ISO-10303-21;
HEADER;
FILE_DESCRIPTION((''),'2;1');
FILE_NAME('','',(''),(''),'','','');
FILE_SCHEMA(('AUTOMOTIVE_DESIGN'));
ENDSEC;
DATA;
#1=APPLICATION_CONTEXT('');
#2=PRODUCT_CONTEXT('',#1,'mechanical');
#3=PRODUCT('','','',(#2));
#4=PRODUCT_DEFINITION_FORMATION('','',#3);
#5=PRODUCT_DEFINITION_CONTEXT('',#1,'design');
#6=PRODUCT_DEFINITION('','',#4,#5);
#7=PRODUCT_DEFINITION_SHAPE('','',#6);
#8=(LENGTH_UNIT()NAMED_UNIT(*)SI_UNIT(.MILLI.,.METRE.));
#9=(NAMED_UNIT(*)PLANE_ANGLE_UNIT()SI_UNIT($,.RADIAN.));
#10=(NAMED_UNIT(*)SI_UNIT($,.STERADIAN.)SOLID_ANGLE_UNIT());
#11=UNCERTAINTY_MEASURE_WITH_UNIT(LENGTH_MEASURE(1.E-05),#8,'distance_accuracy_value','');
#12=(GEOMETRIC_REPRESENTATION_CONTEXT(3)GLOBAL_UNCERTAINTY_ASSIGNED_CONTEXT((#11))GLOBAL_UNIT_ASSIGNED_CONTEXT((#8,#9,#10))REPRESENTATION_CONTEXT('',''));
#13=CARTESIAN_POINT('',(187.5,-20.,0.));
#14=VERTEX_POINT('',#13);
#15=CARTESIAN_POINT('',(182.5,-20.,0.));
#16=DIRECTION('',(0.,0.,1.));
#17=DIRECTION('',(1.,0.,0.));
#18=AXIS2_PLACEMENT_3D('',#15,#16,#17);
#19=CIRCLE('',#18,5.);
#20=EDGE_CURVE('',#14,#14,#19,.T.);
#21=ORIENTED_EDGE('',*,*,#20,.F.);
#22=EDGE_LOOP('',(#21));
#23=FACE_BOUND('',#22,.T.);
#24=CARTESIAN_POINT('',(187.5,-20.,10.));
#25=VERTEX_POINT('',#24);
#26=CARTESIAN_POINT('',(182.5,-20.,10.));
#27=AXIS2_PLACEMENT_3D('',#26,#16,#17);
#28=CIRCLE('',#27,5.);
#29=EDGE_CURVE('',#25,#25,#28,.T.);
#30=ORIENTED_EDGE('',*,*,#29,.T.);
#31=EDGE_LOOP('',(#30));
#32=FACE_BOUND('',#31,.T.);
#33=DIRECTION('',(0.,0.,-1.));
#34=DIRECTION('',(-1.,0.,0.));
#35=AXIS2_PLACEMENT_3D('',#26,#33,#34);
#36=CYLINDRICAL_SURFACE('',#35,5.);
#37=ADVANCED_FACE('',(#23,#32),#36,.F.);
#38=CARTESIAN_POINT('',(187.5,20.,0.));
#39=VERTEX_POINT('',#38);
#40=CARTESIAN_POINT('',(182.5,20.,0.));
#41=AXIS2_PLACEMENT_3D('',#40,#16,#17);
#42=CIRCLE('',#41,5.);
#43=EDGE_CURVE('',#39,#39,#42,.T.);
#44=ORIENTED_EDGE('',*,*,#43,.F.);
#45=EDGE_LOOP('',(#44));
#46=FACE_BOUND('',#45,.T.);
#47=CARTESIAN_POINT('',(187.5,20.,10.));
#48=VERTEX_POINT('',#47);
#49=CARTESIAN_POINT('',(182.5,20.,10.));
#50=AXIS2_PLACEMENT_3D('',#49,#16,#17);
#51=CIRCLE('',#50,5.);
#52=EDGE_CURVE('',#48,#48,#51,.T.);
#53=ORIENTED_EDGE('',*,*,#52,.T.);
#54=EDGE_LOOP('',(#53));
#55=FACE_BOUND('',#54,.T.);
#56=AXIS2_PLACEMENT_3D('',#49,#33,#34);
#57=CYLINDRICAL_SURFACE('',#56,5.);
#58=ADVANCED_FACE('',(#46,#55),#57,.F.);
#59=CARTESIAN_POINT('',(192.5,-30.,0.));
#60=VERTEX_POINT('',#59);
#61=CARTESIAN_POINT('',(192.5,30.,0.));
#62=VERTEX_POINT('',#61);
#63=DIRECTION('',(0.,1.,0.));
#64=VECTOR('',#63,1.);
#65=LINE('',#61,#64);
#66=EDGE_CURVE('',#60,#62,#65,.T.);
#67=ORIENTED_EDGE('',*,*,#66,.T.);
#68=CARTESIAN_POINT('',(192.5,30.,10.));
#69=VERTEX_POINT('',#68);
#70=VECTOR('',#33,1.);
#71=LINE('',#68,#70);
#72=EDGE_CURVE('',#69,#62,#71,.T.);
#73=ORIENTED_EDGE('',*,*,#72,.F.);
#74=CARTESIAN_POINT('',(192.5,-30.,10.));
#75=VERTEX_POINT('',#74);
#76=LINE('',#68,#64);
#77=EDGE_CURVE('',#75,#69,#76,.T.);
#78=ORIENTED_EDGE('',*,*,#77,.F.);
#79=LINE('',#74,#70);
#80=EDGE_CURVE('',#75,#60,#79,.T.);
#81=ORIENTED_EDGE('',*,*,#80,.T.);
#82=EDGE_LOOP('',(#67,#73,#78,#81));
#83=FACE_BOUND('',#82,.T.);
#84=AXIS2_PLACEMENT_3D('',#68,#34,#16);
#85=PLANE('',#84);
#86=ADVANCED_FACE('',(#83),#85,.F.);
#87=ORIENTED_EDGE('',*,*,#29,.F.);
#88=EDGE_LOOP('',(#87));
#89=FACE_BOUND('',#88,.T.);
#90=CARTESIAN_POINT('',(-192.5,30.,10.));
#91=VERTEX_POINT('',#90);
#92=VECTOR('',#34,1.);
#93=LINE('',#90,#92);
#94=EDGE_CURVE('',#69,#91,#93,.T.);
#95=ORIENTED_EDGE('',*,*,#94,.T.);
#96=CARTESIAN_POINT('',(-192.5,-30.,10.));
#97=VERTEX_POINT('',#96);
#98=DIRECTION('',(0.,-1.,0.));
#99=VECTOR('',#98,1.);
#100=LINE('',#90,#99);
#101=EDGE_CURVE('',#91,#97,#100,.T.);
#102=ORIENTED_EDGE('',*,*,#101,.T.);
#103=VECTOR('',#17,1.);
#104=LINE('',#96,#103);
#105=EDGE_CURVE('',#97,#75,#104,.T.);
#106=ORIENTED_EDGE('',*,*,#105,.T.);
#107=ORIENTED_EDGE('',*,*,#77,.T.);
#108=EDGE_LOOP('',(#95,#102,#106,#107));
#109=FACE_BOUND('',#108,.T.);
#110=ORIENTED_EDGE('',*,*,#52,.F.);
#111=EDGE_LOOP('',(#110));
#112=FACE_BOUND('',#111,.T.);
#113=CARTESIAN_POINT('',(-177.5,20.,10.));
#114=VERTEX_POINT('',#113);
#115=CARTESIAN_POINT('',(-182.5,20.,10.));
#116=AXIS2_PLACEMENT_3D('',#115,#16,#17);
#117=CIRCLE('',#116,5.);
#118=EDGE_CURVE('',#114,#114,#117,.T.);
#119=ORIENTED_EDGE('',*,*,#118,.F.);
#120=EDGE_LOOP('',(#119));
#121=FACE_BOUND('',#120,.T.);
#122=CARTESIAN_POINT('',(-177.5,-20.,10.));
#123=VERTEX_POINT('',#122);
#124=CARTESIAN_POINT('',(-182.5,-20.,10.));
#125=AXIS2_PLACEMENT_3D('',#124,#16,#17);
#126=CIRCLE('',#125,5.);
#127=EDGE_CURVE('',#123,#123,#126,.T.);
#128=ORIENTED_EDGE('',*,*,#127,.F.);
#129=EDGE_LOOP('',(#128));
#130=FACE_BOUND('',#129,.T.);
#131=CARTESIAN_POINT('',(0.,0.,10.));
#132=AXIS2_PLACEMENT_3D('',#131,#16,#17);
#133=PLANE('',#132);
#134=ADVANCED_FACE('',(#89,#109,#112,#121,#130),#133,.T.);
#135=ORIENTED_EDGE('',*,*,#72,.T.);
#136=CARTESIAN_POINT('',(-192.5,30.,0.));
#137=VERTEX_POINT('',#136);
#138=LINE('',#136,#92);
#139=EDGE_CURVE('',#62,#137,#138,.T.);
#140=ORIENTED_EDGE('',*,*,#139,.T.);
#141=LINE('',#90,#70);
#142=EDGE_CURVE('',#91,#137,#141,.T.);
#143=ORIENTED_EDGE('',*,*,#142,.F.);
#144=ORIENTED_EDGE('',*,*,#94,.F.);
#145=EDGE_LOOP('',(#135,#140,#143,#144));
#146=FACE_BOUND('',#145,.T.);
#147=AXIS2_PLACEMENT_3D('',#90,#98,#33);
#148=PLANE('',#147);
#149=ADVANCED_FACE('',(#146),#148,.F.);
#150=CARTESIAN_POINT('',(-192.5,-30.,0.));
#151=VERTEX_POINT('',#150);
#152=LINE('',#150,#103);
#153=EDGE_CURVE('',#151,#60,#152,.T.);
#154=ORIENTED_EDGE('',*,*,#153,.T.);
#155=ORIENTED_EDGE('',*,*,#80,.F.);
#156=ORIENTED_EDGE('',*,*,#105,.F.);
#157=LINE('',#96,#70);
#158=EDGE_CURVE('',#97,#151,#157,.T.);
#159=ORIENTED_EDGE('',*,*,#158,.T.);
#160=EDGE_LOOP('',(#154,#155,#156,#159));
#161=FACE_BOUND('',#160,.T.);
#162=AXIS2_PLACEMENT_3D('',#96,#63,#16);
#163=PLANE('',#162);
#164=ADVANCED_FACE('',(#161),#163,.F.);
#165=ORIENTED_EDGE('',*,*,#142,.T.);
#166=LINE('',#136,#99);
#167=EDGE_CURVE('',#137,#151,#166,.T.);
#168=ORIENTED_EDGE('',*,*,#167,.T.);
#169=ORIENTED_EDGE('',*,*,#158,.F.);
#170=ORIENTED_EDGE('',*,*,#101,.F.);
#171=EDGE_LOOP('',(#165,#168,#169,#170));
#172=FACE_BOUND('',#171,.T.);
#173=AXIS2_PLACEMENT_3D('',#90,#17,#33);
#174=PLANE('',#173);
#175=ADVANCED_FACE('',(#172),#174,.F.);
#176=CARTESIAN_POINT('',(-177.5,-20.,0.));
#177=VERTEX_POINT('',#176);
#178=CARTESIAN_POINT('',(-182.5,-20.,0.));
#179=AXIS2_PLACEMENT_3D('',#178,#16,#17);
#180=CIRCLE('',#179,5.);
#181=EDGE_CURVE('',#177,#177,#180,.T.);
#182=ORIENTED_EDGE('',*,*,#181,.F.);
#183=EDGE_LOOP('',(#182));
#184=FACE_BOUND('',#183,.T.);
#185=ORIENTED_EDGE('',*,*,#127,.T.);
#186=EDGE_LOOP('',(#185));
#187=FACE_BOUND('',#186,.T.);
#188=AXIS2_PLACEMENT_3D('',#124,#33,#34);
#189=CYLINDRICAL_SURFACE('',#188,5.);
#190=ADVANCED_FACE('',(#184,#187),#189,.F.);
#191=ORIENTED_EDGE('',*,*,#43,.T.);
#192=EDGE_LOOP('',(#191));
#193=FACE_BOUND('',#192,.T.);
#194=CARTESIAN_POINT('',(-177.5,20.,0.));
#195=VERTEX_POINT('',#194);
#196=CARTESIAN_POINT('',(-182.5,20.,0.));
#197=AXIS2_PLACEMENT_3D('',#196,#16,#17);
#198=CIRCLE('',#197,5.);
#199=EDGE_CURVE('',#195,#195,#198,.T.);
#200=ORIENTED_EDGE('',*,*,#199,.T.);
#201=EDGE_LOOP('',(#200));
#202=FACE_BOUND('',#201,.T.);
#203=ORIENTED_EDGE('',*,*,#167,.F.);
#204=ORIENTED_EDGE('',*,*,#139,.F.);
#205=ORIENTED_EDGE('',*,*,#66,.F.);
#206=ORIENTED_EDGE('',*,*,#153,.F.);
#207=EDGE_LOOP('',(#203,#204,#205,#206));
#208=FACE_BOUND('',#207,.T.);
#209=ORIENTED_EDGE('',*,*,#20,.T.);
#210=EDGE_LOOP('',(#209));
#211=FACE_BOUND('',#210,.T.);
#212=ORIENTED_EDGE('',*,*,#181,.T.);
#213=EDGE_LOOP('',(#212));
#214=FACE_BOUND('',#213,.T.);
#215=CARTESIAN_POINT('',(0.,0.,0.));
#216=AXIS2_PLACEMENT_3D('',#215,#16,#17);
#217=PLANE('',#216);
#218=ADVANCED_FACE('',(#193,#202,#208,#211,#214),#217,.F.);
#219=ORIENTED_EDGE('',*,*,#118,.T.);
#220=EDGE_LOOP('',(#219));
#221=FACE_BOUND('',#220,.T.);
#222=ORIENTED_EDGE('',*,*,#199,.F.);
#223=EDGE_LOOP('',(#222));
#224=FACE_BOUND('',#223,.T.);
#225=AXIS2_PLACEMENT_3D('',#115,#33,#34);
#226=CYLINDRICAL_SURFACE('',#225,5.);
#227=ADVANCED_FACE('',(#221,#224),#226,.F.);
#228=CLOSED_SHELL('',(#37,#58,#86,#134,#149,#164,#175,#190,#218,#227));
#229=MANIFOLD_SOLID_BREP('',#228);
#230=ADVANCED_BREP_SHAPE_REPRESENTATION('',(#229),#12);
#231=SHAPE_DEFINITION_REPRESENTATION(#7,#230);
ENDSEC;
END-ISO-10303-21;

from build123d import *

# Parameters (mm, degrees)
SZKIC1_W                    = 385
SZKIC1_H                    = 60
SZKIC1_R                    = 5
DODANIE_WYCI_GNI_CIE1_DEPTH = 10


with BuildPart() as part:
    # Szkic1 → Dodanie-wyciągnięcie1 (new body)
    with BuildSketch(Plane.XY):
        Rectangle(SZKIC1_W, SZKIC1_H)
        with Locations((-182.5, 20)):
            Circle(SZKIC1_R, mode=Mode.SUBTRACT)
        with Locations((182.5, 20)):
            Circle(SZKIC1_R, mode=Mode.SUBTRACT)
        with Locations((182.5, -20)):
            Circle(SZKIC1_R, mode=Mode.SUBTRACT)
        with Locations((-182.5, -20)):
            Circle(SZKIC1_R, mode=Mode.SUBTRACT)
    extrude(amount=DODANIE_WYCI_GNI_CIE1_DEPTH)


solid = part.part
